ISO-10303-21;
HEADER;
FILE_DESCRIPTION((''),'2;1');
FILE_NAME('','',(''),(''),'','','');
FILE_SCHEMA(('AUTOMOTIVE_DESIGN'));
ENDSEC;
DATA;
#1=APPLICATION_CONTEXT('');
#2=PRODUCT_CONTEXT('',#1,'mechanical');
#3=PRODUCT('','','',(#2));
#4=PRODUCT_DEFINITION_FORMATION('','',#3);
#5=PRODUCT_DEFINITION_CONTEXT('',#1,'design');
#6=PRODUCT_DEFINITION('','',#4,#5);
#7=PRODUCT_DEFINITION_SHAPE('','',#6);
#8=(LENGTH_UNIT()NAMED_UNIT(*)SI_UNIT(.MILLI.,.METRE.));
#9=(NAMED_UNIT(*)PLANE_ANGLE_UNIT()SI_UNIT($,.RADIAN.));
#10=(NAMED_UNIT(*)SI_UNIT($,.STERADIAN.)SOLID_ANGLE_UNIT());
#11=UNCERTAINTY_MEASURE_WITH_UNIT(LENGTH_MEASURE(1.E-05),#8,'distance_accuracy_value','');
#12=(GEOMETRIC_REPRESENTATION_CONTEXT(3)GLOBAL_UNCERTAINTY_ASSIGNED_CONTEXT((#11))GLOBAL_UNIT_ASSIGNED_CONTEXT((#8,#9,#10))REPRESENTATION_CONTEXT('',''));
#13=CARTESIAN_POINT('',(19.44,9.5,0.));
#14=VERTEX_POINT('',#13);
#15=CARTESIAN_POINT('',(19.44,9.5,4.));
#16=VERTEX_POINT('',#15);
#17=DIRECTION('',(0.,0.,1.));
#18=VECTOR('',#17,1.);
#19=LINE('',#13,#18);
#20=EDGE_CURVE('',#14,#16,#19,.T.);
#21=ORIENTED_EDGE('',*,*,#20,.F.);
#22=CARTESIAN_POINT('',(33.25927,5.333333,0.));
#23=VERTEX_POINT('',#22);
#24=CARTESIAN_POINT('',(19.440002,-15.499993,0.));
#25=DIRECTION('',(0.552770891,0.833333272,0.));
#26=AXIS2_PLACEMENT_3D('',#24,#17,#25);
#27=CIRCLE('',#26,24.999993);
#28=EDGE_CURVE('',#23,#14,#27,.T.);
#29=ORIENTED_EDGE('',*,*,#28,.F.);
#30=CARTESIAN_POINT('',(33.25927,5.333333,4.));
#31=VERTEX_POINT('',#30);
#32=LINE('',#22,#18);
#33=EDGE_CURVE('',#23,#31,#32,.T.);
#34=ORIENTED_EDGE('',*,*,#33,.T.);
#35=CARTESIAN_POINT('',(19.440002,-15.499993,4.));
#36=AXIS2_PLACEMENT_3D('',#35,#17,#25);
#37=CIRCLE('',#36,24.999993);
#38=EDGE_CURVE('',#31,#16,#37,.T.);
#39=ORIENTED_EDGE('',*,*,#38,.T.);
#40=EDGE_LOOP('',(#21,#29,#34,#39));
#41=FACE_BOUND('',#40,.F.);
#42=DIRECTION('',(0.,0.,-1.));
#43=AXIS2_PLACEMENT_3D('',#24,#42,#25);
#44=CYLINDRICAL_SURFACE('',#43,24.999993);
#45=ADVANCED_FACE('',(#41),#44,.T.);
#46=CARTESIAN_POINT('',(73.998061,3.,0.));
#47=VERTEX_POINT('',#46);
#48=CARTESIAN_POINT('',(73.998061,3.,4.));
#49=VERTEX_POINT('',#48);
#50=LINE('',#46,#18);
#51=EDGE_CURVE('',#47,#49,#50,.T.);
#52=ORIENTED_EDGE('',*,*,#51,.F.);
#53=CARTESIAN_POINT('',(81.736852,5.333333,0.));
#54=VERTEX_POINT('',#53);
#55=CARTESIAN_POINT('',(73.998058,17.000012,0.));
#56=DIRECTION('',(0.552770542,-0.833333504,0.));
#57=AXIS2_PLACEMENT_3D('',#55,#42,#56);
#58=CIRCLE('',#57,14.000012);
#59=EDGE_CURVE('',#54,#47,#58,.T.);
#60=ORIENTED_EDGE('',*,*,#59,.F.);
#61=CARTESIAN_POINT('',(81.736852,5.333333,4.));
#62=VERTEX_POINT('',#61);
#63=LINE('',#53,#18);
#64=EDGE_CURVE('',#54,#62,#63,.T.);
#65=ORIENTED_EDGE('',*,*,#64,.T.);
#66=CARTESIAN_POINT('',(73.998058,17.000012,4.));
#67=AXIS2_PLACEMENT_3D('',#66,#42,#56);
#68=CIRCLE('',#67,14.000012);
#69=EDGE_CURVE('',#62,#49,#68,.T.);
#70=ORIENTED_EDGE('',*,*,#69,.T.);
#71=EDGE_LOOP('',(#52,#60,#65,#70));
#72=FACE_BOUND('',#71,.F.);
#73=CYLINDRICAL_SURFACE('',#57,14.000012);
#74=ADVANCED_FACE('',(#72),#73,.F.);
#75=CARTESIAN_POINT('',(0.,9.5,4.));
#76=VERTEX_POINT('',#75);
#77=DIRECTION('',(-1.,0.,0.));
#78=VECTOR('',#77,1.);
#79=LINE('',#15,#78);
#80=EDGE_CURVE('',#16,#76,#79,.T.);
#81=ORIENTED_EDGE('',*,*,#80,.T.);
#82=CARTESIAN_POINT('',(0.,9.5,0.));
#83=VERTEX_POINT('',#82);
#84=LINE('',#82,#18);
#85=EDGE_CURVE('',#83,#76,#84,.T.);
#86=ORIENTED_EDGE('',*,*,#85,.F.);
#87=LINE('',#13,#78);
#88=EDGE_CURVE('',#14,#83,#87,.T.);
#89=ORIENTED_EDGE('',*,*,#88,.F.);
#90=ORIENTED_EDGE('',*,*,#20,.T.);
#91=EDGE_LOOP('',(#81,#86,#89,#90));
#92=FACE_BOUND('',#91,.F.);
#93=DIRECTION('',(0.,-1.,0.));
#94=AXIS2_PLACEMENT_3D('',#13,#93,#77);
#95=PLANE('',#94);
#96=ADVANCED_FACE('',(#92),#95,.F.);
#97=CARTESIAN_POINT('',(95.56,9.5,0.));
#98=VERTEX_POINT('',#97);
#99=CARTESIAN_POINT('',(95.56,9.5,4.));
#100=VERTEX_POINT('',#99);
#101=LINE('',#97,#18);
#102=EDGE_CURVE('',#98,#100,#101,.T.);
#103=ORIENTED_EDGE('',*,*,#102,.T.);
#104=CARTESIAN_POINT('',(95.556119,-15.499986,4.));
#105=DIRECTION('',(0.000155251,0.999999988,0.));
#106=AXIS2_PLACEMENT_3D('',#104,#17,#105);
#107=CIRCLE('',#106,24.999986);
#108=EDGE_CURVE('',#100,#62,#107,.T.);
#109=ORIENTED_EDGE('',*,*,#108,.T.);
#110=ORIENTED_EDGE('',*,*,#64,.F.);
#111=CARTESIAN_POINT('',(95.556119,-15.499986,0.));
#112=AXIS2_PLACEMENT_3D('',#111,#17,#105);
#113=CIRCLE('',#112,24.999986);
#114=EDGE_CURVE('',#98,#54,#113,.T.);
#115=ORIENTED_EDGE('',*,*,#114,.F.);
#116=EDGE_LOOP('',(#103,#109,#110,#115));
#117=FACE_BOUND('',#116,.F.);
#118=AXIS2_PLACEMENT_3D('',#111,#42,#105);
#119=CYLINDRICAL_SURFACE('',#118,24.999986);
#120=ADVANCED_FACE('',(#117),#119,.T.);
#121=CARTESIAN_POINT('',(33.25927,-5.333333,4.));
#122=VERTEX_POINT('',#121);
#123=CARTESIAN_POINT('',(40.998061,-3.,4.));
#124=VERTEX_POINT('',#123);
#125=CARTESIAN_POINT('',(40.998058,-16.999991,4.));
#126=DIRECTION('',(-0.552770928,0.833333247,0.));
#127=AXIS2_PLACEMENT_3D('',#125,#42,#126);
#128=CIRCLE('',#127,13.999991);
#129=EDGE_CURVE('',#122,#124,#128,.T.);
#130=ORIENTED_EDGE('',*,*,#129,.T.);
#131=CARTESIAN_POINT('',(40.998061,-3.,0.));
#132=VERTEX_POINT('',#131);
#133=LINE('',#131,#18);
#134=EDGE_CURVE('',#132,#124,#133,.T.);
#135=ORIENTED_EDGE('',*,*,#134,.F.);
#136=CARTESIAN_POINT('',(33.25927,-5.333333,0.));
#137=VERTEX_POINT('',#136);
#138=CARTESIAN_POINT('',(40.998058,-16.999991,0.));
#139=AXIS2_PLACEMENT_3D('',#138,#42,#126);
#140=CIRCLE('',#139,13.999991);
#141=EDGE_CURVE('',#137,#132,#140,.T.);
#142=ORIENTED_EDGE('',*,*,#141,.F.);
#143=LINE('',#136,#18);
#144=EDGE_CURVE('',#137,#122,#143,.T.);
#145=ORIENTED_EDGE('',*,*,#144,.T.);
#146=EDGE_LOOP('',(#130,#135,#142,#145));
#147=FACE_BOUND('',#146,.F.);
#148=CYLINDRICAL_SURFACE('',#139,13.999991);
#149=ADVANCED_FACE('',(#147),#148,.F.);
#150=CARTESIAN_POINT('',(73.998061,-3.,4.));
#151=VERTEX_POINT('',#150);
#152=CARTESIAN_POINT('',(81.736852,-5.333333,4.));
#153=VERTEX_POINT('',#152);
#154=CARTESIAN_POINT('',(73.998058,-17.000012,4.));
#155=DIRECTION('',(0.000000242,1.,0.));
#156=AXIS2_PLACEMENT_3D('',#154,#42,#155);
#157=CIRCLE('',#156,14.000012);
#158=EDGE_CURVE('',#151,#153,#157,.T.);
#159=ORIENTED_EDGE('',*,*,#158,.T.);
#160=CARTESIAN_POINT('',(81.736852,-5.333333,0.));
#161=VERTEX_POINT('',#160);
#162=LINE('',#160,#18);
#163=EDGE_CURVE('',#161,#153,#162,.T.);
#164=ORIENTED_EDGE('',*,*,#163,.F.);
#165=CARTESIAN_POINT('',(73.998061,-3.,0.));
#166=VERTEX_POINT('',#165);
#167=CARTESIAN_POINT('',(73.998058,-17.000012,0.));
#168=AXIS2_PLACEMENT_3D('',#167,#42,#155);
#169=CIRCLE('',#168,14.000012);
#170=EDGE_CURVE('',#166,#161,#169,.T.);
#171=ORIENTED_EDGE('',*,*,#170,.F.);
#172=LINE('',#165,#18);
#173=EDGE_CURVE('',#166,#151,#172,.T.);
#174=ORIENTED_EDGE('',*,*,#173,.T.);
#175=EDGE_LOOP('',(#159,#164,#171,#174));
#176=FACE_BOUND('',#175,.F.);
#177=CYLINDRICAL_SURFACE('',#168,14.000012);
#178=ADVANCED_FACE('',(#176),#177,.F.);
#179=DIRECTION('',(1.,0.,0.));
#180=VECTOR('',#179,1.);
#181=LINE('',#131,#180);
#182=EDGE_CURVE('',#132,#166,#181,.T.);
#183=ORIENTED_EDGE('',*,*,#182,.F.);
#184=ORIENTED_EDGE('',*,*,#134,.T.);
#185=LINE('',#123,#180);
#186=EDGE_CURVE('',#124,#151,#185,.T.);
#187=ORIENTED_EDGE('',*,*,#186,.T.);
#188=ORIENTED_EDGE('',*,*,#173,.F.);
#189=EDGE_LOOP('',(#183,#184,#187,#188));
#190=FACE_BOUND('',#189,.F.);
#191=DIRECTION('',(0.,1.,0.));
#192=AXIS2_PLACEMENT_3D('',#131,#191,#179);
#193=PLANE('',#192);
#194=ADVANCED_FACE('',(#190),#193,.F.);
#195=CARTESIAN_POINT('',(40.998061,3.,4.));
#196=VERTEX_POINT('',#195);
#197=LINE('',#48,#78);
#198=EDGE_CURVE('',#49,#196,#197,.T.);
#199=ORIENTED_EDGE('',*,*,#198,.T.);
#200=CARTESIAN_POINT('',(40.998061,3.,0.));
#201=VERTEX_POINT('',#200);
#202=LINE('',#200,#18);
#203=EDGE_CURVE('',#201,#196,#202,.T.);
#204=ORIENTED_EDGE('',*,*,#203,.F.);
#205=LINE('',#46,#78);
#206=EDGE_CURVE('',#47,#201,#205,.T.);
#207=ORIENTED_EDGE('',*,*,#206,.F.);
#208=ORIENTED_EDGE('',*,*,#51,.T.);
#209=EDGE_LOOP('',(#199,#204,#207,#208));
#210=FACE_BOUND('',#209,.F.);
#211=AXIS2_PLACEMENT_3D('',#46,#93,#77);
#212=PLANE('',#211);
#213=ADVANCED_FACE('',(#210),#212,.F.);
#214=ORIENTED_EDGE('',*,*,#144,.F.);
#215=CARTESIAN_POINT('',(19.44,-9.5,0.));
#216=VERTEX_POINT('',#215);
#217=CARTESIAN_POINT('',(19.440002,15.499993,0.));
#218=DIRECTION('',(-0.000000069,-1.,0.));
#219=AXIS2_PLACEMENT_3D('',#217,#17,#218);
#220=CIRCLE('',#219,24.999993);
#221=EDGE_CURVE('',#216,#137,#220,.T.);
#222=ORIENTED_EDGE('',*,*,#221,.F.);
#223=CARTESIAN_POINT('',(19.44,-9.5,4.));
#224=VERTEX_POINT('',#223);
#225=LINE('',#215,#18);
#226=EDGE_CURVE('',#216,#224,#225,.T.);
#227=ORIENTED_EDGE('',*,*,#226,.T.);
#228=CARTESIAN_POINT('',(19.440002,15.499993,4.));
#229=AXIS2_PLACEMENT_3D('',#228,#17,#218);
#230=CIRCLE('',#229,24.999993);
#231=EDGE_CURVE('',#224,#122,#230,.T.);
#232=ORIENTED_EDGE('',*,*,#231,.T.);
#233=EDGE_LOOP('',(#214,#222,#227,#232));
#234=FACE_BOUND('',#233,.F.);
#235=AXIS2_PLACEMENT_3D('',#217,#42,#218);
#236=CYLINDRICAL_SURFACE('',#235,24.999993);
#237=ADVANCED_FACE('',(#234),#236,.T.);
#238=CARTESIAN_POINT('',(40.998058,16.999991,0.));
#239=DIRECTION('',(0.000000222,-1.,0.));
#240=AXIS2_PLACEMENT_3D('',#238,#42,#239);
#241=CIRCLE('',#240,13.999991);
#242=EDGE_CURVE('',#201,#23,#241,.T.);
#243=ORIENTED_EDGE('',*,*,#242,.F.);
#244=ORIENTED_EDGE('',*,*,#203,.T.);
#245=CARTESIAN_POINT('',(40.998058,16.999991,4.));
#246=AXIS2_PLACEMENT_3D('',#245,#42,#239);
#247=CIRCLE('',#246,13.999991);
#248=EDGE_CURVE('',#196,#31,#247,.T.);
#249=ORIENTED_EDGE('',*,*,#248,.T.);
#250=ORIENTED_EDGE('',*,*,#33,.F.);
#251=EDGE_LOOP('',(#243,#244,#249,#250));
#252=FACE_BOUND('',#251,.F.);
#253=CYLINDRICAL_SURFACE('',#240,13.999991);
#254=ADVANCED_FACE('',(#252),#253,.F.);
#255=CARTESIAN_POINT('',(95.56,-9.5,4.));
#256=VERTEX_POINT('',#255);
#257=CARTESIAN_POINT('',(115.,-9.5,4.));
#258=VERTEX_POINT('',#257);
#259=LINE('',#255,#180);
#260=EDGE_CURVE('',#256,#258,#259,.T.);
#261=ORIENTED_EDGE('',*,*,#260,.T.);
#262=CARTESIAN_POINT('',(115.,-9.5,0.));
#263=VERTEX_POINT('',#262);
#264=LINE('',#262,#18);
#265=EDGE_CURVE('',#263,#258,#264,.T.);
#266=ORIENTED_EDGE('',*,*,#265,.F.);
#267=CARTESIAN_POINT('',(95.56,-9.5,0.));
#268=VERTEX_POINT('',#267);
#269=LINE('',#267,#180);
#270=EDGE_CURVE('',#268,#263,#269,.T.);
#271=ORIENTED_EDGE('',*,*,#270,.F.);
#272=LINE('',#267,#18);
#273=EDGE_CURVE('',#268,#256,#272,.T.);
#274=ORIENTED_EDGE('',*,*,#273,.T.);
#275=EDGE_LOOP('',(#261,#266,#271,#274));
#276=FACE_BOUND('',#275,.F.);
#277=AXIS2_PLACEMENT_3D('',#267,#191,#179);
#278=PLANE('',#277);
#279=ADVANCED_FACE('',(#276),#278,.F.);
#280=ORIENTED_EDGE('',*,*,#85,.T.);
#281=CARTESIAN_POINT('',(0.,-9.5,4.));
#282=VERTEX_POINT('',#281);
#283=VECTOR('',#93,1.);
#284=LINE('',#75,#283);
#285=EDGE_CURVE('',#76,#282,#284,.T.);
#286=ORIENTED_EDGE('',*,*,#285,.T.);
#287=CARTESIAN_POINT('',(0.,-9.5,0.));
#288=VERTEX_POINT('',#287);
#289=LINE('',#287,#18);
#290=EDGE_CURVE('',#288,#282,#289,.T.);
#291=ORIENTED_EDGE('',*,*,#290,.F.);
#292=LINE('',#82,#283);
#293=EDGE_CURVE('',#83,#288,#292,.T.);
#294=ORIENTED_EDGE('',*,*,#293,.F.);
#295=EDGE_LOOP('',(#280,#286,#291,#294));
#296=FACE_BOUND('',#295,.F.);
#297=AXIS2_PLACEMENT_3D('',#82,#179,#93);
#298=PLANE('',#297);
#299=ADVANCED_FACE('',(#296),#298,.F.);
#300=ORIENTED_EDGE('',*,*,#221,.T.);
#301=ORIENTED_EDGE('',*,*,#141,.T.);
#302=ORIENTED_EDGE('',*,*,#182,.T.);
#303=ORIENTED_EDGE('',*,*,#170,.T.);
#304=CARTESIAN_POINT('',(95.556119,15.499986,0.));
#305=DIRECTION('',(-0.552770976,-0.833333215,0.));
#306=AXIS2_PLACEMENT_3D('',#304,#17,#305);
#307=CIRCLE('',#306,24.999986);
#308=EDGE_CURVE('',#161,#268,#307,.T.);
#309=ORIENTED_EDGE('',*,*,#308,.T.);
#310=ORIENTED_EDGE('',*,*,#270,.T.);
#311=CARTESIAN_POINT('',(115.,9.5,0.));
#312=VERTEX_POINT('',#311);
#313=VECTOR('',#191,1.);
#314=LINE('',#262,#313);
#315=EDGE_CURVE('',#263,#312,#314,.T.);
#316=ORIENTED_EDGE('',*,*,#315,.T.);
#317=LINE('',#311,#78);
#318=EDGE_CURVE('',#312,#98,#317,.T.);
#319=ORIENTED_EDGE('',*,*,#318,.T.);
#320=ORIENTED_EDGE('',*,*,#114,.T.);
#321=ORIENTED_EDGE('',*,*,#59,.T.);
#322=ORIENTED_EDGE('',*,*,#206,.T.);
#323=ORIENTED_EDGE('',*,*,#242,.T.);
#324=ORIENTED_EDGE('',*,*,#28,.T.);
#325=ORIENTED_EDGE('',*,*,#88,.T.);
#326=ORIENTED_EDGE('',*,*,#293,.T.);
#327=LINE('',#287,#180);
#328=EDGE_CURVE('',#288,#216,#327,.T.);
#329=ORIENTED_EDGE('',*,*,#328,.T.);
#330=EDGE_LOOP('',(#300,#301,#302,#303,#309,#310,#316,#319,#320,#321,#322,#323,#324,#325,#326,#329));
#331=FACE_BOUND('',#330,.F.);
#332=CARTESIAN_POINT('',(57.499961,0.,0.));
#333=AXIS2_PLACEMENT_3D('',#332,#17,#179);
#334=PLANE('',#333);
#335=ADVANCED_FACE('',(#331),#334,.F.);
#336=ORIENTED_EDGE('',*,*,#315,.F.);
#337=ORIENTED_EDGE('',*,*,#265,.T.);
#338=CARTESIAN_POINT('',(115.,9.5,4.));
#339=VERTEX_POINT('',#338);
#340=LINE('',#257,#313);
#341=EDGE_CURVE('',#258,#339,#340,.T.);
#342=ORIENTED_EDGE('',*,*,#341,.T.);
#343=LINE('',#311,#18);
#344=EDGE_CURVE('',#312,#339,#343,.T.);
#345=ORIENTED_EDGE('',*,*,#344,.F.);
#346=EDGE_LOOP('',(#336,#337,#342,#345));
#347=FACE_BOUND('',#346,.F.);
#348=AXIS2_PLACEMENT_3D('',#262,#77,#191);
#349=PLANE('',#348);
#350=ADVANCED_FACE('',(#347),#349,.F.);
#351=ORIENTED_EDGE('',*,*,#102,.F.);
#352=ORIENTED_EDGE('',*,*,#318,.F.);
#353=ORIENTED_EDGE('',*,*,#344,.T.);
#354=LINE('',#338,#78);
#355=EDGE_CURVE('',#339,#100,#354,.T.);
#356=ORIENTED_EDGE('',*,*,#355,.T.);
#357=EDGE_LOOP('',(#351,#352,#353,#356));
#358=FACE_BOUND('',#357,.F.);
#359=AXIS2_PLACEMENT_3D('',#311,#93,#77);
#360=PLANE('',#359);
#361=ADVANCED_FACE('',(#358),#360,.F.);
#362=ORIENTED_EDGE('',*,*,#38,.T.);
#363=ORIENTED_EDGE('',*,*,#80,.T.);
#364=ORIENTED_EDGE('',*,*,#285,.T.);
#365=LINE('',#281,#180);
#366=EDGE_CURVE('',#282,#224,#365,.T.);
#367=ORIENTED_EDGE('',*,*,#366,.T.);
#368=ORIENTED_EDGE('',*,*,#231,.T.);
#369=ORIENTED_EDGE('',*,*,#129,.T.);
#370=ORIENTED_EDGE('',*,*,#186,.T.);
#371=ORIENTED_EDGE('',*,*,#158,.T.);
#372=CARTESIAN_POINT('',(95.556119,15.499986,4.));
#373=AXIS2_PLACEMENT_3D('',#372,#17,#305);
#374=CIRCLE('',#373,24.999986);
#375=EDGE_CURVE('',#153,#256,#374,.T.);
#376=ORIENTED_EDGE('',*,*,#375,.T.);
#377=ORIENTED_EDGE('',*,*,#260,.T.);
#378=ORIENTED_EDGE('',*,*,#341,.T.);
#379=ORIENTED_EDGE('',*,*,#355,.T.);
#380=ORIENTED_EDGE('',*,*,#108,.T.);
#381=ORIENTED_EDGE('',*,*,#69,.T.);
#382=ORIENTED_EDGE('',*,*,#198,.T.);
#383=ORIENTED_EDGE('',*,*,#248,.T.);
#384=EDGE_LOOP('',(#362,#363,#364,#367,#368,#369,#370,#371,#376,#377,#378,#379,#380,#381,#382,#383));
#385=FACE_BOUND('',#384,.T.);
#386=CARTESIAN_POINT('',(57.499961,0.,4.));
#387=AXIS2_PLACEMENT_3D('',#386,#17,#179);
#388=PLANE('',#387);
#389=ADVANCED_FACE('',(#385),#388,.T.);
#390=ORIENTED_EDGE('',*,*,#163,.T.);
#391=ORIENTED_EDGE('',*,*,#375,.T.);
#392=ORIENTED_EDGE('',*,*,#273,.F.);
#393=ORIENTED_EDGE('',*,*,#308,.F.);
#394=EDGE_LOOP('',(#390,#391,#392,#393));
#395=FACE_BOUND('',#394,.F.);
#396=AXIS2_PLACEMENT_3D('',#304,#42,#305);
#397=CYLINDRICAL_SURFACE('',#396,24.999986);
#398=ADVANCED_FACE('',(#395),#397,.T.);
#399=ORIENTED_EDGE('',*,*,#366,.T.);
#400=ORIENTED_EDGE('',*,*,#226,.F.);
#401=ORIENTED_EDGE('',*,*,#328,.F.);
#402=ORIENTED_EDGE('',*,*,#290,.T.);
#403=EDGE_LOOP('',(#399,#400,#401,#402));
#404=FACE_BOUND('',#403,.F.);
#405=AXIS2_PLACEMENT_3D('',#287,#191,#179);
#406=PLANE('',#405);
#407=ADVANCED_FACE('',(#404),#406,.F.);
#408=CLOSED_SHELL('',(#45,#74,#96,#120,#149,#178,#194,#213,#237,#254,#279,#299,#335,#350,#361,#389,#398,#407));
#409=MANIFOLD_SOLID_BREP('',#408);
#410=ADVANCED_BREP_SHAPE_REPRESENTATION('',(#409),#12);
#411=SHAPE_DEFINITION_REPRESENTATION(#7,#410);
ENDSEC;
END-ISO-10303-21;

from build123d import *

# Parameters (mm, degrees)
F1_DEPTH = 4


with BuildPart() as f1:
    # F0 (on Top) → F1 (new body)
    with BuildSketch(Plane.XY):
        with BuildLine():
            Line((0, 9.5), (0, 0))
            Line((0, 0), (0, -9.5))
            Line((0, -9.5), (19.44, -9.5))
            ThreePointArc((19.44, -9.5), (26.656878, -8.435678), (33.25927, -5.333333))
            ThreePointArc((33.25927, -5.333333), (36.956609, -3.59602), (40.998061, -3))
            Line((40.998061, -3), (73.998061, -3))
            ThreePointArc((73.998061, -3), (78.039513, -3.596021), (81.736852, -5.333333))
            ThreePointArc((81.736852, -5.333333), (88.3411, -8.436238), (95.56, -9.5))
            Line((95.56, -9.5), (115, -9.5))
            Line((115, -9.5), (115, 0))
            Line((115, 0), (115, 9.5))
            Line((115, 9.5), (95.56, 9.5))
            ThreePointArc((95.56, 9.5), (88.3411, 8.436238), (81.736852, 5.333333))
            ThreePointArc((81.736852, 5.333333), (78.039513, 3.596021), (73.998061, 3))
            Line((73.998061, 3), (40.998061, 3))
            ThreePointArc((40.998061, 3), (36.956609, 3.59602), (33.25927, 5.333333))
            ThreePointArc((33.25927, 5.333333), (26.656878, 8.435678), (19.44, 9.5))
            Line((19.44, 9.5), (0, 9.5))
        make_face()
    extrude(amount=F1_DEPTH)


solid = f1.part
